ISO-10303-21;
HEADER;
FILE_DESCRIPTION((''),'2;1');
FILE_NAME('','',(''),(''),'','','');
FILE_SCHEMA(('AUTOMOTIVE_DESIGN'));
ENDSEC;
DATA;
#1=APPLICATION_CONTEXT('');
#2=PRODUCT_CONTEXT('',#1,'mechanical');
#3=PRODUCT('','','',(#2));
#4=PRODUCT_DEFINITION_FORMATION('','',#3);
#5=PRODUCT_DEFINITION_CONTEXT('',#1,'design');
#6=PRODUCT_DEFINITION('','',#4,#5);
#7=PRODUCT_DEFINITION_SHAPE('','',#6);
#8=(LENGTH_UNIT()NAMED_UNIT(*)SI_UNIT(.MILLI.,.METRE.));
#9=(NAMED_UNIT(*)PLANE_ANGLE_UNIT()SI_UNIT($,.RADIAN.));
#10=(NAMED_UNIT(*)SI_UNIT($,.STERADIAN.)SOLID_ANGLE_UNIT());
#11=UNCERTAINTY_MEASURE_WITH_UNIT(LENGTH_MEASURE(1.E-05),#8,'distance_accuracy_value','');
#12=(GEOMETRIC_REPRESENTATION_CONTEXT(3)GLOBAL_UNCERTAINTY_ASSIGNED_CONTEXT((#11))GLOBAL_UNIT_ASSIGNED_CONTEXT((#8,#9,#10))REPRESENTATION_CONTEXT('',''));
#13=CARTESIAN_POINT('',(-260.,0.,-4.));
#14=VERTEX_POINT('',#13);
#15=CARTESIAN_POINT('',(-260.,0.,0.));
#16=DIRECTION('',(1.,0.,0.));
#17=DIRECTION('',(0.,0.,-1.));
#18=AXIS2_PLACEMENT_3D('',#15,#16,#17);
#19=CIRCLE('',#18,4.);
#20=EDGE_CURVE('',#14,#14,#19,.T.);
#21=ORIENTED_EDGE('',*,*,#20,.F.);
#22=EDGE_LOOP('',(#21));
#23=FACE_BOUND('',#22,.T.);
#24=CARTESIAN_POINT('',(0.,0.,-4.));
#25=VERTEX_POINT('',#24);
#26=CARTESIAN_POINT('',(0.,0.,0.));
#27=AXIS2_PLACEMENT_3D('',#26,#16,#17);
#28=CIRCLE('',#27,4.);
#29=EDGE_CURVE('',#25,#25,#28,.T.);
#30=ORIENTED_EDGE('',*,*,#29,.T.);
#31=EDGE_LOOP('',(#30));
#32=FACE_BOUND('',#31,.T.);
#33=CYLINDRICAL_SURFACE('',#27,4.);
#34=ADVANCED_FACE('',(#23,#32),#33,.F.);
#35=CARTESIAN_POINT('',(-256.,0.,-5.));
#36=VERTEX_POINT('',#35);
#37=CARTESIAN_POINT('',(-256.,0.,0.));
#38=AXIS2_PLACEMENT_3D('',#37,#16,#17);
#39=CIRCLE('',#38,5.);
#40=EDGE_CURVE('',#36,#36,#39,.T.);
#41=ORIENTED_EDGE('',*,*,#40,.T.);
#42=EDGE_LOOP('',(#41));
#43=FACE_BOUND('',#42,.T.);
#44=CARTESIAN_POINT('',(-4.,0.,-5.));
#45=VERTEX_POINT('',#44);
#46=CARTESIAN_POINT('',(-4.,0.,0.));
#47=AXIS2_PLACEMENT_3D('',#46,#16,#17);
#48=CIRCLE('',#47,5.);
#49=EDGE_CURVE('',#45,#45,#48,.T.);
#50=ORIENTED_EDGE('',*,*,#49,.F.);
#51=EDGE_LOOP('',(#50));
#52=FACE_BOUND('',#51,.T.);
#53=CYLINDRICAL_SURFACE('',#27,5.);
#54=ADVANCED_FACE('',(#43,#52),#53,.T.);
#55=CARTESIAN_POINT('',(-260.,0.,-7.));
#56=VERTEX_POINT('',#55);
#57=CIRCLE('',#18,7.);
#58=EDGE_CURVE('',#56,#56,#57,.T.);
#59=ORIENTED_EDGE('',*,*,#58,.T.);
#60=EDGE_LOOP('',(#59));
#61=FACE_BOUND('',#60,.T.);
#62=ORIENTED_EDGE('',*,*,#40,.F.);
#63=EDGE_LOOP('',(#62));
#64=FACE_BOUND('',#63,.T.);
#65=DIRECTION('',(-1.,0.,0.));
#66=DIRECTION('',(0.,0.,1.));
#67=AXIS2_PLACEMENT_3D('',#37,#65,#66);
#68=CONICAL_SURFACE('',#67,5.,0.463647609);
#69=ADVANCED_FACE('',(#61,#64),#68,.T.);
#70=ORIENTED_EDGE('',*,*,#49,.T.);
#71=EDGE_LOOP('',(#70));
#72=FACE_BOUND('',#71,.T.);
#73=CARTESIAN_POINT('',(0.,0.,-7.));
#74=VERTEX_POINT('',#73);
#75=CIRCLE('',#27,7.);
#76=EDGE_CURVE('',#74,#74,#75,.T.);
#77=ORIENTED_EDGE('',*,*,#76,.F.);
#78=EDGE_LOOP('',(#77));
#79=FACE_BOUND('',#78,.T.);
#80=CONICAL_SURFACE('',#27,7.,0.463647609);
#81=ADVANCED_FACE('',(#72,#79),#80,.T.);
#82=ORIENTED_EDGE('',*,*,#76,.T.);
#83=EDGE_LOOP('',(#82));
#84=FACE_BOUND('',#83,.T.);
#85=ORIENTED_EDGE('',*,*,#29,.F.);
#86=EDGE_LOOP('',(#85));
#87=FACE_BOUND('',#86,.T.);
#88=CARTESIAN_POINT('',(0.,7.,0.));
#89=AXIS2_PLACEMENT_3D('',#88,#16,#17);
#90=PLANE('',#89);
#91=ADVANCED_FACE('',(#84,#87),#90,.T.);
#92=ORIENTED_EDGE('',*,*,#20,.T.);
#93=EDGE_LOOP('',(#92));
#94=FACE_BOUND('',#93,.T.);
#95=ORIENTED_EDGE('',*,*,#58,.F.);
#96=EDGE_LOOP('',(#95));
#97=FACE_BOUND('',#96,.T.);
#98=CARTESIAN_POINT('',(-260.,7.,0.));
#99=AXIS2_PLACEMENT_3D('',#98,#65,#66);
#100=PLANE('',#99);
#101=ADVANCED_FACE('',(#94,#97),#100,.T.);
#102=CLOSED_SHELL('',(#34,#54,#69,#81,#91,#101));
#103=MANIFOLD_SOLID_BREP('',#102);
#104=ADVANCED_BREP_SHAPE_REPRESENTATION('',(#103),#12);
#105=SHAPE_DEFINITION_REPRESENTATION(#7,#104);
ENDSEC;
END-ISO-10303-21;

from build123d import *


with BuildPart() as part:
    # Эскиз1 → Повернуть1 (revolve)
    with BuildSketch(Plane.XY, mode=Mode.PRIVATE) as revolve_1_sk:
        Polygon((-4, 5), (-256, 5), (-260, 7), (-260, 4), (0, 4), (0, 7), align=None)
    revolve(revolve_1_sk.sketch.rotate(Axis((0, 0, 0), (-1, 0, 0)), 90), axis=Axis((0, 0, 0), (-1, 0, 0)))


solid = part.part
